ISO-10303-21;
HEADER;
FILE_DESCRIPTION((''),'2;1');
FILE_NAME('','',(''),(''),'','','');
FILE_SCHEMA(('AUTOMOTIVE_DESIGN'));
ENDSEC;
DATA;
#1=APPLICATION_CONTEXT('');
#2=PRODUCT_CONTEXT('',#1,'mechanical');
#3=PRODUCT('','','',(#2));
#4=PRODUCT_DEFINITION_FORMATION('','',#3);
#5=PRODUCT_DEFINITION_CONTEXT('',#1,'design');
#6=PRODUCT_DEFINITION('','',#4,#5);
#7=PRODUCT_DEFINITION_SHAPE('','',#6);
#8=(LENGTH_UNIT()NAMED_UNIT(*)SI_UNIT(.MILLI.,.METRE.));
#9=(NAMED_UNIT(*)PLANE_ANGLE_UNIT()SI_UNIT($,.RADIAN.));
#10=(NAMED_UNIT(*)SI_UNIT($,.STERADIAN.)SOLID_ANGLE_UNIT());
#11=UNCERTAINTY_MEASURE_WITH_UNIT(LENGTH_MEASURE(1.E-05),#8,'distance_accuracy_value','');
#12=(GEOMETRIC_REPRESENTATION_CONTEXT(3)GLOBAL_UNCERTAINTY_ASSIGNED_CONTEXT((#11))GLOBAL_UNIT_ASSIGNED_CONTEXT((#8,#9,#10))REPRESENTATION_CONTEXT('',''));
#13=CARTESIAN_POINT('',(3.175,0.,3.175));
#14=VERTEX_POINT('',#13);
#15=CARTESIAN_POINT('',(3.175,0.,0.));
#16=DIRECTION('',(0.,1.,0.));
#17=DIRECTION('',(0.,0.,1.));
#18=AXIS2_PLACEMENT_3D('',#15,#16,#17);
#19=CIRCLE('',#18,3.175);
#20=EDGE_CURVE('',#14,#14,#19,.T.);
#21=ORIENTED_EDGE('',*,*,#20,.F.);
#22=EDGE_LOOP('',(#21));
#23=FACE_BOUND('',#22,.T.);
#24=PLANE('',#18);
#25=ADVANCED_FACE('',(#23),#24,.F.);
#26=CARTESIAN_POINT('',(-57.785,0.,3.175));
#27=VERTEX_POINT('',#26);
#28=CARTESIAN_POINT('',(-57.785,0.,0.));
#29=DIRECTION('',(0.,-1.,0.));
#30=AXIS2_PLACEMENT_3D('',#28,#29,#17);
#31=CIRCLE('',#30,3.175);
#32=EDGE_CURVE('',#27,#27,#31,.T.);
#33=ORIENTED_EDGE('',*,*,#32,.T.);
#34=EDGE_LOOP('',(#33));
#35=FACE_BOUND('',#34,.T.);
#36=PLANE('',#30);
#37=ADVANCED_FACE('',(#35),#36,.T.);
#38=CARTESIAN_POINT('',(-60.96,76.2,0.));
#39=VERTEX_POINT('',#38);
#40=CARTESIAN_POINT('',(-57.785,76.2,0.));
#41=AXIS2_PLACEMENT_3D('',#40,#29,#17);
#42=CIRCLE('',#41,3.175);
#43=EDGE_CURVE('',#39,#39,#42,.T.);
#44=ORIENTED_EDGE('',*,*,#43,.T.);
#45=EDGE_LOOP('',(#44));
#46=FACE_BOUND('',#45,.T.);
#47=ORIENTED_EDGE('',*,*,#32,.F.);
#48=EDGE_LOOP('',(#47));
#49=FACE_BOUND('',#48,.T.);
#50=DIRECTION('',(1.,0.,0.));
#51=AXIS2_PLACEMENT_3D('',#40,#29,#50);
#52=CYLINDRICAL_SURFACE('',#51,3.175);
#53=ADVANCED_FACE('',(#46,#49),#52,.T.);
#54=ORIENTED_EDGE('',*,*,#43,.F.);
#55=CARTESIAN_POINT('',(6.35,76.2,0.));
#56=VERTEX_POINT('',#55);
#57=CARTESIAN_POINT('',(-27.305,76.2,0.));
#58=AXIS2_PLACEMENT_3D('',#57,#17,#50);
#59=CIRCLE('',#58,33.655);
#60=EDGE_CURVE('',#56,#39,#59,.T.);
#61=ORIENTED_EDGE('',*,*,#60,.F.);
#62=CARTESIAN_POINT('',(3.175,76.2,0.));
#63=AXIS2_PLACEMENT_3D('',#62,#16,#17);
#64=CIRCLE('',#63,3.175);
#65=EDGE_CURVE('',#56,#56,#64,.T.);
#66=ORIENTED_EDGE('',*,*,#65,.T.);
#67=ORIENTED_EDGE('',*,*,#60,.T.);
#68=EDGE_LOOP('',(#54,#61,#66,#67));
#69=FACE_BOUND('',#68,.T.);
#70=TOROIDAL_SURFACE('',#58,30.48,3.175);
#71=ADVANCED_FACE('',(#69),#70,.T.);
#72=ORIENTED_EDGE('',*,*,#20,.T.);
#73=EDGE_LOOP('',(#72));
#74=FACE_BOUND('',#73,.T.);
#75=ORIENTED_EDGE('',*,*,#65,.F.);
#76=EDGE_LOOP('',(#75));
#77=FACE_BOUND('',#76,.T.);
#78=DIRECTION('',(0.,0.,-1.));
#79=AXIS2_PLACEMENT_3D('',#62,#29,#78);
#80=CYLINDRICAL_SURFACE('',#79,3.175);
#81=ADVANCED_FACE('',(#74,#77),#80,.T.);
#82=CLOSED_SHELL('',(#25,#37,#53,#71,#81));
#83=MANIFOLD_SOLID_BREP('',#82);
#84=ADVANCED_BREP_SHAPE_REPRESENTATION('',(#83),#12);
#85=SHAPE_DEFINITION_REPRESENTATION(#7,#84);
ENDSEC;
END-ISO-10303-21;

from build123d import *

# Parameters (mm, degrees)
SKETCH2_R = 3.175


with BuildPart() as part:
    # Sweep1: sweep along a path in Sketch1
    with BuildLine(Plane.XY) as sweep1_path:
        Line((0, 0), (0, 76.2))
        ThreePointArc((0, 76.2), (-27.305, 103.505), (-54.61, 76.2))
        Line((-54.61, 76.2), (-54.61, 0))
    # Sketch2 → Sweep1 (sweep)
    with BuildSketch(Plane(origin=(0, 0, 0), x_dir=(1, 0, 0), z_dir=(0, 1, 0))):
        with Locations((3.175, 0)):
            Circle(SKETCH2_R)
    sweep(path=sweep1_path.line)


solid = part.part
